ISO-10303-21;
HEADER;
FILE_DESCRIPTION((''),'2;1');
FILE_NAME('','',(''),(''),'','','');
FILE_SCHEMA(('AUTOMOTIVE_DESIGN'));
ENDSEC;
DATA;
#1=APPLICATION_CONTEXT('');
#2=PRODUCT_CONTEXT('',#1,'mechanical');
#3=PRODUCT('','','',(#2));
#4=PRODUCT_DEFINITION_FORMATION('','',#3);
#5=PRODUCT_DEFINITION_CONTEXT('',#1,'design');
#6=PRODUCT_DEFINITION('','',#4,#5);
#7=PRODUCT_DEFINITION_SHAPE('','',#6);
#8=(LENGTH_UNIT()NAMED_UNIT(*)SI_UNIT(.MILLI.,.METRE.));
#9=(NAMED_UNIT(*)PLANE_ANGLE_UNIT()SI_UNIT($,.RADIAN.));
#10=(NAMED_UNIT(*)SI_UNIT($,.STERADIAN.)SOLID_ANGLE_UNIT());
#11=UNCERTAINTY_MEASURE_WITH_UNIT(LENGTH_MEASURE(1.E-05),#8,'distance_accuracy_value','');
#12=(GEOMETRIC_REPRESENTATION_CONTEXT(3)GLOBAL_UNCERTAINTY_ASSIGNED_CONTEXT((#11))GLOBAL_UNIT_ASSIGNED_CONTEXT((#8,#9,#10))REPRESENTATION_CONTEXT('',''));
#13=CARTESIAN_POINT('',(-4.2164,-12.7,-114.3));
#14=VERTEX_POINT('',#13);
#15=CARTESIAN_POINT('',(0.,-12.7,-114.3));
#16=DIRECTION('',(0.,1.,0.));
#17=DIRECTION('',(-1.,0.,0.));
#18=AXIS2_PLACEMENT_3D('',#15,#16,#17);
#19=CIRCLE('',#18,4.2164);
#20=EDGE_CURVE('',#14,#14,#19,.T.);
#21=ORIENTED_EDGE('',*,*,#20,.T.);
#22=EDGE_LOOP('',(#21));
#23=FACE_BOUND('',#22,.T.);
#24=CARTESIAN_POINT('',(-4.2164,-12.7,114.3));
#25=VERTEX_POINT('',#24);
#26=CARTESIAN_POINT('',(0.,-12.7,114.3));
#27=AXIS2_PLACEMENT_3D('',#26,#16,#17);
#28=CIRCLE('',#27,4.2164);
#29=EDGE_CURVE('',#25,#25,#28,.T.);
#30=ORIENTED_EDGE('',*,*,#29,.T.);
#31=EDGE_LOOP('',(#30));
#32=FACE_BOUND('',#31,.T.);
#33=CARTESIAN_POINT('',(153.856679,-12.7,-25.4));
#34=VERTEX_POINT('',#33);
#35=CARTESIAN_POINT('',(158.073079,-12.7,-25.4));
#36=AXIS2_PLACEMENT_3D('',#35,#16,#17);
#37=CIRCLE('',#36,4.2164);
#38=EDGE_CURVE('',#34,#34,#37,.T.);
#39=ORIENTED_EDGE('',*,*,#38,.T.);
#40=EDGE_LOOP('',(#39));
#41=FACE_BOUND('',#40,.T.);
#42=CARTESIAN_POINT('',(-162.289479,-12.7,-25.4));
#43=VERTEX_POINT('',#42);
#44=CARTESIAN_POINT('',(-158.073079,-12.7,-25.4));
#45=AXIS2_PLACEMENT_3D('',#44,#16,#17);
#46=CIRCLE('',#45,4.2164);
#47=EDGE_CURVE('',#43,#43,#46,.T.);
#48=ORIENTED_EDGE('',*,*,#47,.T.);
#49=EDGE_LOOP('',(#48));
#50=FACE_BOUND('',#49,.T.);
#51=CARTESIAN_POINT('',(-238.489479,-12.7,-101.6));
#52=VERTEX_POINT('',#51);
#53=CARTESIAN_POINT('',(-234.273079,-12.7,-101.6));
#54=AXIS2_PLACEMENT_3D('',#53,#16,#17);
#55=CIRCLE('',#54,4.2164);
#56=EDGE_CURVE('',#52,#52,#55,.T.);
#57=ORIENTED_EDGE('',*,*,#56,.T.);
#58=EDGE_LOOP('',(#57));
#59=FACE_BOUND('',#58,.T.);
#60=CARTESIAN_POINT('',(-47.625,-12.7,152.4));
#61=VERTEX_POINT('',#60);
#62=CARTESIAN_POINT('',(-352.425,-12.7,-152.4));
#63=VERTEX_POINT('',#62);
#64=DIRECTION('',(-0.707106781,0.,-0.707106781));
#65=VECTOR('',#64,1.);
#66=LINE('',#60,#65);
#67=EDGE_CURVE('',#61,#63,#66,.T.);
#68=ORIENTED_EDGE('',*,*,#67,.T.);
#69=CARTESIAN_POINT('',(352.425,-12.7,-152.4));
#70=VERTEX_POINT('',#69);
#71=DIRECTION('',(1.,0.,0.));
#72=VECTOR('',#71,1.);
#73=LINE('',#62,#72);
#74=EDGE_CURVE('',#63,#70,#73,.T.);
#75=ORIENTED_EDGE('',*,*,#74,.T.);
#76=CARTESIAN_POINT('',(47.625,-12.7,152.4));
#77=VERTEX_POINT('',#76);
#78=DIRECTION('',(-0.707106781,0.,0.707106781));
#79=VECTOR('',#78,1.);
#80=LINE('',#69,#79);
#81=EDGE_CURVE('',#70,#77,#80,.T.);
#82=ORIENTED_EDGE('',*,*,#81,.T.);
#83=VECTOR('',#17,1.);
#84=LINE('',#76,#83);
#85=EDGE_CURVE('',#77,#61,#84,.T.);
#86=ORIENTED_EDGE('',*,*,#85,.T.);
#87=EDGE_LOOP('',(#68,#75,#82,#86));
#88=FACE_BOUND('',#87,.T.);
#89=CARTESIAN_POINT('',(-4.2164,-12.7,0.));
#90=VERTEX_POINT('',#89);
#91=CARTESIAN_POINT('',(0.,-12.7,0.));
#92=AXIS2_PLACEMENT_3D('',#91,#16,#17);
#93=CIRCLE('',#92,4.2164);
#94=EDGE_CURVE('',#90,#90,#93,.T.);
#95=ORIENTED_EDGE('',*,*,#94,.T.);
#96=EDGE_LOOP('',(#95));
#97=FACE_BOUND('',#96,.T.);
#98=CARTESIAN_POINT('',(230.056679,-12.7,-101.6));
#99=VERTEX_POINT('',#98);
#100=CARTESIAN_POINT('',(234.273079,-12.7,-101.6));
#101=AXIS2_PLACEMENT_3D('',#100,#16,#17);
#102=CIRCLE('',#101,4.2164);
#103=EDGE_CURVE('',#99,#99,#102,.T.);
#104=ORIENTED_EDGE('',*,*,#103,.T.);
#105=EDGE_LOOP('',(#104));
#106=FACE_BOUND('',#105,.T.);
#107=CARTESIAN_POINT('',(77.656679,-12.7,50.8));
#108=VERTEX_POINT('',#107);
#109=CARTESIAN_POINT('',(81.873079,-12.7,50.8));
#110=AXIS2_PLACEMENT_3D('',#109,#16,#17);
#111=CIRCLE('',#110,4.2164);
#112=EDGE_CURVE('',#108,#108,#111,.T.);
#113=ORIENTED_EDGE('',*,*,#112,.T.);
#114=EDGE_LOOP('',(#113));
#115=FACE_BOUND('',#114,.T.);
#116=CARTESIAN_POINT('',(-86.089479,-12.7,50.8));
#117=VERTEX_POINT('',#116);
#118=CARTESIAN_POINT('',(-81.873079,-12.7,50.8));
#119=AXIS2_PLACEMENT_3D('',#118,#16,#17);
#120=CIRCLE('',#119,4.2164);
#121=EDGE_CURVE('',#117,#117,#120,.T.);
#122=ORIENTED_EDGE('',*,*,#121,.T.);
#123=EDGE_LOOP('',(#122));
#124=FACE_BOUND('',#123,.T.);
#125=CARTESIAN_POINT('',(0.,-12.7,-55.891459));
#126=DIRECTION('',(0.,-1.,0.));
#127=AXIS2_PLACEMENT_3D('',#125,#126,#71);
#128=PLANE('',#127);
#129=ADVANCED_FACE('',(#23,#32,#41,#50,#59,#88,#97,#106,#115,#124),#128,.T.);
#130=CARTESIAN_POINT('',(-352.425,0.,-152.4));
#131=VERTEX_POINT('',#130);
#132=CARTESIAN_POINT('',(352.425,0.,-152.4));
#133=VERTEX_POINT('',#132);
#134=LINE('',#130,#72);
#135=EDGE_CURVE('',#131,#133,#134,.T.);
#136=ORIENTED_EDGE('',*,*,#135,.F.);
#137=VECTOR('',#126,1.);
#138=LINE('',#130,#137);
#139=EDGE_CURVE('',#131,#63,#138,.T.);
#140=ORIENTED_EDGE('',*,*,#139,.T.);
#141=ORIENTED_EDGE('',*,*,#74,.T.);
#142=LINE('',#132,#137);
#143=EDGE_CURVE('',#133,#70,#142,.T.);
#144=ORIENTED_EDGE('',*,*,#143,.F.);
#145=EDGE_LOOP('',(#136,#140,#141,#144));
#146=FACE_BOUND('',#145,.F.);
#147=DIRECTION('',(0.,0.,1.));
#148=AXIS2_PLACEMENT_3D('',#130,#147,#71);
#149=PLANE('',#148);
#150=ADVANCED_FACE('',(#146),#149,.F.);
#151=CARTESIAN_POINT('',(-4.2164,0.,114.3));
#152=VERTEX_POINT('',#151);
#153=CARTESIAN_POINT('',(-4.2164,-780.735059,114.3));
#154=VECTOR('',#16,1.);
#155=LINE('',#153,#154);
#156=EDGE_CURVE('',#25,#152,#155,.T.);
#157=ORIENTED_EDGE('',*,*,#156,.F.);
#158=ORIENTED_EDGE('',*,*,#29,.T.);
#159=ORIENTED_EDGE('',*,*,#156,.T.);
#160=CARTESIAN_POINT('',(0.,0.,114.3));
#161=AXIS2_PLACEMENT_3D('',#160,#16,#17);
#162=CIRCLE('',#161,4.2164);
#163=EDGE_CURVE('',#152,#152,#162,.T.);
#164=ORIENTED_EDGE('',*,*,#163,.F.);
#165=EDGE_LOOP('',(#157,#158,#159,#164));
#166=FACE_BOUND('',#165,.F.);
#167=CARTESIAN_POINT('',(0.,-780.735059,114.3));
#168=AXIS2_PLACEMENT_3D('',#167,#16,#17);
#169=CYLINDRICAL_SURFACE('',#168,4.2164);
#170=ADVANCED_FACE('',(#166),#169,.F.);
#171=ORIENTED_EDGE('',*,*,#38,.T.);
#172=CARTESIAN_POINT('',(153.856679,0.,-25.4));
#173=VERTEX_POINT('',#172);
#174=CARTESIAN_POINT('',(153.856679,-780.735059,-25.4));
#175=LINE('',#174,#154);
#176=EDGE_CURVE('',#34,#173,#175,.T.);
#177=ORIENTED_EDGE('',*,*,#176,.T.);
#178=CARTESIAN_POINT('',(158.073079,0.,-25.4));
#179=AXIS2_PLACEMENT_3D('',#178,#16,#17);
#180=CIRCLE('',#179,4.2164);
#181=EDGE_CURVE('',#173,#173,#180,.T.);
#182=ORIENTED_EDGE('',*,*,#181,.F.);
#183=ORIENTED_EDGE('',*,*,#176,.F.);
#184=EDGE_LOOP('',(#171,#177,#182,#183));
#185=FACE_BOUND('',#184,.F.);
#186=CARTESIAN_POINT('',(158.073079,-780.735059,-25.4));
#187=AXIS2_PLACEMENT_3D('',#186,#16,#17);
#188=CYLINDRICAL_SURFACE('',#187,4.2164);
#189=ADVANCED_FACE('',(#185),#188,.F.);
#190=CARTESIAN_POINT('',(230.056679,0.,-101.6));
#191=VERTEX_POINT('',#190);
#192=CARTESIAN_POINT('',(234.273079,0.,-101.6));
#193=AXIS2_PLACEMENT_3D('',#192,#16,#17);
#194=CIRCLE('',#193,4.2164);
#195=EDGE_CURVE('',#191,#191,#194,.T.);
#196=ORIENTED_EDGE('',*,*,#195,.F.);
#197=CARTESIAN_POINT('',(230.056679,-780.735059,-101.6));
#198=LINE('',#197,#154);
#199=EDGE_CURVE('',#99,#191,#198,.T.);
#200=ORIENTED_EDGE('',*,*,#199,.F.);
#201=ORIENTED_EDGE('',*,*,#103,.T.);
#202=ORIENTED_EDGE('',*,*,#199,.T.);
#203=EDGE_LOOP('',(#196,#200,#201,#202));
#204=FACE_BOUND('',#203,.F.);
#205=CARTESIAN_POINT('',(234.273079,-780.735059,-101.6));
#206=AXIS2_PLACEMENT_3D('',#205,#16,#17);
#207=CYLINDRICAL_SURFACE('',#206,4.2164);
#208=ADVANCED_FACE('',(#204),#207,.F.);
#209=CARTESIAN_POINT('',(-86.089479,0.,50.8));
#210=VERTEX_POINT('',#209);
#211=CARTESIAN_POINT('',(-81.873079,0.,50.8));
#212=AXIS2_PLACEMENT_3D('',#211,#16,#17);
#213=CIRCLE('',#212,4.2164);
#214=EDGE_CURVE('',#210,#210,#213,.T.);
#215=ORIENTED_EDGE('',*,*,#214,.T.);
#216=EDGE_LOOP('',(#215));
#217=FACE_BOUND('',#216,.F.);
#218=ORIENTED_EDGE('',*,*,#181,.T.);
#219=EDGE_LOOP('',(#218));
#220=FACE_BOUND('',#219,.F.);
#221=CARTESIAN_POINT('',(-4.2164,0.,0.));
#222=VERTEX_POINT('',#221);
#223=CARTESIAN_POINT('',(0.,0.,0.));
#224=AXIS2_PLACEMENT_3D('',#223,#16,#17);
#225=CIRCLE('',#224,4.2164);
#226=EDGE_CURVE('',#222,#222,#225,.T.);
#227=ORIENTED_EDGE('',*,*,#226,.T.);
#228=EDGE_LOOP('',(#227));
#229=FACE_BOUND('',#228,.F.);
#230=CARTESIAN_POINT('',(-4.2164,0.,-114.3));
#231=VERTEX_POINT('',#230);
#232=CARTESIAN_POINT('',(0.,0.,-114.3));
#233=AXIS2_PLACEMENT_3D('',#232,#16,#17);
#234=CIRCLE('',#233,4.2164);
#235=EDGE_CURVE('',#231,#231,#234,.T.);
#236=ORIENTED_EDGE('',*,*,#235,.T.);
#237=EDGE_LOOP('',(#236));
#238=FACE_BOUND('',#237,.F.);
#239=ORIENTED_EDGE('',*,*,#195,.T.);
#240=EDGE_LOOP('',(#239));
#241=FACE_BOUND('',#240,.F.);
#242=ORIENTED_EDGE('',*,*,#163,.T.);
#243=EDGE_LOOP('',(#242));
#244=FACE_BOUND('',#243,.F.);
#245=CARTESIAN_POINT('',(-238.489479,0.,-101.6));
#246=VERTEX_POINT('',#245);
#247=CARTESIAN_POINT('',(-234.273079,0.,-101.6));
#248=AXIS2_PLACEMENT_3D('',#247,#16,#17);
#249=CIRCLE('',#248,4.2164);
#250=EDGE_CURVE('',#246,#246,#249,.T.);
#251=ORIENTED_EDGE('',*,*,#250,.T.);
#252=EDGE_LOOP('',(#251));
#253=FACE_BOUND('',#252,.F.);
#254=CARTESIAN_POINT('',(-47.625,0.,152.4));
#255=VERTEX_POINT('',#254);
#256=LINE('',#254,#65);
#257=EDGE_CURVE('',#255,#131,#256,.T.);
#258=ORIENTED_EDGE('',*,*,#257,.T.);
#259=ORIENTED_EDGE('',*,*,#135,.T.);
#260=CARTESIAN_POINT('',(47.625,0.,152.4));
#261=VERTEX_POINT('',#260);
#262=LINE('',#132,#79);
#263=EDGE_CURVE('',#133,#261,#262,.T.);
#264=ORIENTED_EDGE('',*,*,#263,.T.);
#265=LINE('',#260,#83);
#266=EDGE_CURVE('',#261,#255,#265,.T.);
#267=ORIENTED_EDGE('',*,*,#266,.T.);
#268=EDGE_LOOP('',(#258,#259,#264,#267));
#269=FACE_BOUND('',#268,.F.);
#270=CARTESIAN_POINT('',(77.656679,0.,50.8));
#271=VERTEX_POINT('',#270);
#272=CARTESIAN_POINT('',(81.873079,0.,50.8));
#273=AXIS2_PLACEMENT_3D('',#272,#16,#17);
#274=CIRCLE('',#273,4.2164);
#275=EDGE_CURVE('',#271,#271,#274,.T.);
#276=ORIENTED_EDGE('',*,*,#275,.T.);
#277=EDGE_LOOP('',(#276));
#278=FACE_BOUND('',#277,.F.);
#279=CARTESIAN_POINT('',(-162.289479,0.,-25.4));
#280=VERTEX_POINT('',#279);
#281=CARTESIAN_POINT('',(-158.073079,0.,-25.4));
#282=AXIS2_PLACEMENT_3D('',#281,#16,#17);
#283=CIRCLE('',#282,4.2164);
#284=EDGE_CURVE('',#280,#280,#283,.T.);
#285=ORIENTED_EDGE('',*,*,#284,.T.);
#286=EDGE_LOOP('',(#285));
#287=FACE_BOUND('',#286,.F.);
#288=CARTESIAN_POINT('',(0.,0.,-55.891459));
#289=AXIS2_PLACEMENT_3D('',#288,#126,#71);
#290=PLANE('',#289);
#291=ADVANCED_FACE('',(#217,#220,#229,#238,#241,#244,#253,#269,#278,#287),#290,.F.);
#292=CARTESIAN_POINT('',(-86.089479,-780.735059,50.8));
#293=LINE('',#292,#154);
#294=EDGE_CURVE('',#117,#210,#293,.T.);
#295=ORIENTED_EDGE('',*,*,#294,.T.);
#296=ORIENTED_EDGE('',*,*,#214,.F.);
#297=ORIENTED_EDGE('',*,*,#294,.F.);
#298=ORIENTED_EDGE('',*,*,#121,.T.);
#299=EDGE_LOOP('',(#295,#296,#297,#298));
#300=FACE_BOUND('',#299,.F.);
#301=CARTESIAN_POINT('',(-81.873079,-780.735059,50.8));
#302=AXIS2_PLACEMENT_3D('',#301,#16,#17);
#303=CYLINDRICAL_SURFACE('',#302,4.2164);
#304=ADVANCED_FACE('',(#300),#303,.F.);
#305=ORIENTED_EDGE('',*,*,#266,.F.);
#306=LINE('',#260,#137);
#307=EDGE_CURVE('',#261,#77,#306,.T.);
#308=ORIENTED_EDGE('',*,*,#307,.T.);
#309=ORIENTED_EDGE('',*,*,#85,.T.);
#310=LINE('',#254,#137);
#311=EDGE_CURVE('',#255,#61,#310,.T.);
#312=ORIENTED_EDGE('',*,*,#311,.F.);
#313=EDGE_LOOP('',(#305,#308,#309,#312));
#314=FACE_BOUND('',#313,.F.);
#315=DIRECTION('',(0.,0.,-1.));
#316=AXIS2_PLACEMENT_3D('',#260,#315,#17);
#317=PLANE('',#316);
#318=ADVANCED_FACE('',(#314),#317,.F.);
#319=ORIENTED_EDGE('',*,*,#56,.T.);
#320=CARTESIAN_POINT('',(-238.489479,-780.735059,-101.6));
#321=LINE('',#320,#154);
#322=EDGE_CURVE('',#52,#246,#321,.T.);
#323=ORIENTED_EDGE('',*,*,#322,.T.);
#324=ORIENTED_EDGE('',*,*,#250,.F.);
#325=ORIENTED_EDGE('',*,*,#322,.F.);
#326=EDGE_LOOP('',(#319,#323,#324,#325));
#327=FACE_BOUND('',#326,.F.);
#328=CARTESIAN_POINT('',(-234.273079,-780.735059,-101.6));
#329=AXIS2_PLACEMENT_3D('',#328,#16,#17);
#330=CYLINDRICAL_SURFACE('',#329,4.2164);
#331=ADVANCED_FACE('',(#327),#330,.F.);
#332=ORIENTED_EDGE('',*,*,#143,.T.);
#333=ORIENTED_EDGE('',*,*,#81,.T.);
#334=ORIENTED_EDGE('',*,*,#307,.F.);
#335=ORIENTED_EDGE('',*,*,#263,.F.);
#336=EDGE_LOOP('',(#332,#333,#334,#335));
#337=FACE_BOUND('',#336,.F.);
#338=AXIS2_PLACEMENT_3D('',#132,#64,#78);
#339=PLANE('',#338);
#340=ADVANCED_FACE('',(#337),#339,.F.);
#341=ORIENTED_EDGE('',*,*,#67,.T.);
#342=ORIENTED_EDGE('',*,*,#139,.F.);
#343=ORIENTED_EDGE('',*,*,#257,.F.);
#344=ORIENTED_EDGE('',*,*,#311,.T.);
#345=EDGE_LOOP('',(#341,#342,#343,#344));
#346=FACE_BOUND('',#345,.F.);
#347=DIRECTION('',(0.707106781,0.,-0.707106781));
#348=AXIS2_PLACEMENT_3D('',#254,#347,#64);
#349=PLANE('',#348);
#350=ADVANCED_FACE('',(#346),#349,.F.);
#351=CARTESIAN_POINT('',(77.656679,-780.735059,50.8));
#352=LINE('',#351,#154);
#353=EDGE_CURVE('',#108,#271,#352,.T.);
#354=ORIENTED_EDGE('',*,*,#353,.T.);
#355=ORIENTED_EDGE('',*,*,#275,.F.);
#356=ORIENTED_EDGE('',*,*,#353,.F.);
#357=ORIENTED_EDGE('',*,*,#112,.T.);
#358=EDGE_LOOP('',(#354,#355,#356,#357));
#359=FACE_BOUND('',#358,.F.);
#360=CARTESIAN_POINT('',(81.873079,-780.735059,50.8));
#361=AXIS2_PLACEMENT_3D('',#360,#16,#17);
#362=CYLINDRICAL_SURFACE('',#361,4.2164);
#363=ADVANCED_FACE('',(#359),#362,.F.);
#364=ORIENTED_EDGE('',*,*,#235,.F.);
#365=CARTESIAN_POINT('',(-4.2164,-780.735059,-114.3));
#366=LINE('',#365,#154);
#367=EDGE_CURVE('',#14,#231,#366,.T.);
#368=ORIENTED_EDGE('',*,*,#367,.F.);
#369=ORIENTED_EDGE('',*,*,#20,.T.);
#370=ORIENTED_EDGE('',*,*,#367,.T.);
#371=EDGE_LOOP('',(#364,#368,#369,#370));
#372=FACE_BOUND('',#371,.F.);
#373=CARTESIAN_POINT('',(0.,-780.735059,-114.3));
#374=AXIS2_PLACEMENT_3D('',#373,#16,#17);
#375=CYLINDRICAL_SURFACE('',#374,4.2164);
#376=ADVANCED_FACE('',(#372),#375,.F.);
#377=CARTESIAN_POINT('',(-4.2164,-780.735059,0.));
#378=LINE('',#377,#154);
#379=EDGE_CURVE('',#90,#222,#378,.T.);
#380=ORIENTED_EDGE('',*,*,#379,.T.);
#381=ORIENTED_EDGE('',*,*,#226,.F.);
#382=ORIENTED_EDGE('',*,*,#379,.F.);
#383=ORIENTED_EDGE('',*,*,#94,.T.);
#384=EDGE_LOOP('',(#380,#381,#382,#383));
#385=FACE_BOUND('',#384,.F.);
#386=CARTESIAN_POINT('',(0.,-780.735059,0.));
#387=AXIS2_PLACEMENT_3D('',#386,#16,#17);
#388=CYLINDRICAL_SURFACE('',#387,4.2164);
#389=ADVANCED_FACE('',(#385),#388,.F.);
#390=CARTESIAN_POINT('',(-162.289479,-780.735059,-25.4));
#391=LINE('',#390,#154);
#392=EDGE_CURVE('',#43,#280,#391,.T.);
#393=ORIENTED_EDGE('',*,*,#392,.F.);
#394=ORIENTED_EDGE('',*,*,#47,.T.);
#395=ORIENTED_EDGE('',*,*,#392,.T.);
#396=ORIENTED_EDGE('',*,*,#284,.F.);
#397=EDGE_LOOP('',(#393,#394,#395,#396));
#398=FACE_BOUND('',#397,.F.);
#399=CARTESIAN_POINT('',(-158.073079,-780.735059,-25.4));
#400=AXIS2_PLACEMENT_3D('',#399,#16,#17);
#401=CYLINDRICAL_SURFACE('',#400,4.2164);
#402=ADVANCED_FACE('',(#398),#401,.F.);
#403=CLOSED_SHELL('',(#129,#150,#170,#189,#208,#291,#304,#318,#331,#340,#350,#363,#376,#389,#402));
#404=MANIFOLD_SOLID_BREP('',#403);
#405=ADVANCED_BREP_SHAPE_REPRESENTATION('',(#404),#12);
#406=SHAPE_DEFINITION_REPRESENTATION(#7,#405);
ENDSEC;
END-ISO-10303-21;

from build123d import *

# Parameters (mm, degrees)
F1_DEPTH = 12.7
F3_D     = 8.4328


with BuildPart() as f1:
    # F0 (on Front) → F1 (new body)
    with BuildSketch(Plane.XZ):
        Polygon((47.625, 152.4), (-47.625, 152.4), (-352.425, -152.4), (352.425, -152.4), align=None)
    extrude(amount=F1_DEPTH)

    # F3 (through all)
    with Locations(Plane.XZ.offset(12.7)):
        with Locations((0, 114.3), (-81.873079092, 50.8), (-158.073079092, -25.4), (-234.273079092, -101.6), (0, -114.3), (234.273079092, -101.6), (158.073079092, -25.4), (81.873079092, 50.8), (0, 0)):
            Hole(F3_D / 2)


solid = f1.part
